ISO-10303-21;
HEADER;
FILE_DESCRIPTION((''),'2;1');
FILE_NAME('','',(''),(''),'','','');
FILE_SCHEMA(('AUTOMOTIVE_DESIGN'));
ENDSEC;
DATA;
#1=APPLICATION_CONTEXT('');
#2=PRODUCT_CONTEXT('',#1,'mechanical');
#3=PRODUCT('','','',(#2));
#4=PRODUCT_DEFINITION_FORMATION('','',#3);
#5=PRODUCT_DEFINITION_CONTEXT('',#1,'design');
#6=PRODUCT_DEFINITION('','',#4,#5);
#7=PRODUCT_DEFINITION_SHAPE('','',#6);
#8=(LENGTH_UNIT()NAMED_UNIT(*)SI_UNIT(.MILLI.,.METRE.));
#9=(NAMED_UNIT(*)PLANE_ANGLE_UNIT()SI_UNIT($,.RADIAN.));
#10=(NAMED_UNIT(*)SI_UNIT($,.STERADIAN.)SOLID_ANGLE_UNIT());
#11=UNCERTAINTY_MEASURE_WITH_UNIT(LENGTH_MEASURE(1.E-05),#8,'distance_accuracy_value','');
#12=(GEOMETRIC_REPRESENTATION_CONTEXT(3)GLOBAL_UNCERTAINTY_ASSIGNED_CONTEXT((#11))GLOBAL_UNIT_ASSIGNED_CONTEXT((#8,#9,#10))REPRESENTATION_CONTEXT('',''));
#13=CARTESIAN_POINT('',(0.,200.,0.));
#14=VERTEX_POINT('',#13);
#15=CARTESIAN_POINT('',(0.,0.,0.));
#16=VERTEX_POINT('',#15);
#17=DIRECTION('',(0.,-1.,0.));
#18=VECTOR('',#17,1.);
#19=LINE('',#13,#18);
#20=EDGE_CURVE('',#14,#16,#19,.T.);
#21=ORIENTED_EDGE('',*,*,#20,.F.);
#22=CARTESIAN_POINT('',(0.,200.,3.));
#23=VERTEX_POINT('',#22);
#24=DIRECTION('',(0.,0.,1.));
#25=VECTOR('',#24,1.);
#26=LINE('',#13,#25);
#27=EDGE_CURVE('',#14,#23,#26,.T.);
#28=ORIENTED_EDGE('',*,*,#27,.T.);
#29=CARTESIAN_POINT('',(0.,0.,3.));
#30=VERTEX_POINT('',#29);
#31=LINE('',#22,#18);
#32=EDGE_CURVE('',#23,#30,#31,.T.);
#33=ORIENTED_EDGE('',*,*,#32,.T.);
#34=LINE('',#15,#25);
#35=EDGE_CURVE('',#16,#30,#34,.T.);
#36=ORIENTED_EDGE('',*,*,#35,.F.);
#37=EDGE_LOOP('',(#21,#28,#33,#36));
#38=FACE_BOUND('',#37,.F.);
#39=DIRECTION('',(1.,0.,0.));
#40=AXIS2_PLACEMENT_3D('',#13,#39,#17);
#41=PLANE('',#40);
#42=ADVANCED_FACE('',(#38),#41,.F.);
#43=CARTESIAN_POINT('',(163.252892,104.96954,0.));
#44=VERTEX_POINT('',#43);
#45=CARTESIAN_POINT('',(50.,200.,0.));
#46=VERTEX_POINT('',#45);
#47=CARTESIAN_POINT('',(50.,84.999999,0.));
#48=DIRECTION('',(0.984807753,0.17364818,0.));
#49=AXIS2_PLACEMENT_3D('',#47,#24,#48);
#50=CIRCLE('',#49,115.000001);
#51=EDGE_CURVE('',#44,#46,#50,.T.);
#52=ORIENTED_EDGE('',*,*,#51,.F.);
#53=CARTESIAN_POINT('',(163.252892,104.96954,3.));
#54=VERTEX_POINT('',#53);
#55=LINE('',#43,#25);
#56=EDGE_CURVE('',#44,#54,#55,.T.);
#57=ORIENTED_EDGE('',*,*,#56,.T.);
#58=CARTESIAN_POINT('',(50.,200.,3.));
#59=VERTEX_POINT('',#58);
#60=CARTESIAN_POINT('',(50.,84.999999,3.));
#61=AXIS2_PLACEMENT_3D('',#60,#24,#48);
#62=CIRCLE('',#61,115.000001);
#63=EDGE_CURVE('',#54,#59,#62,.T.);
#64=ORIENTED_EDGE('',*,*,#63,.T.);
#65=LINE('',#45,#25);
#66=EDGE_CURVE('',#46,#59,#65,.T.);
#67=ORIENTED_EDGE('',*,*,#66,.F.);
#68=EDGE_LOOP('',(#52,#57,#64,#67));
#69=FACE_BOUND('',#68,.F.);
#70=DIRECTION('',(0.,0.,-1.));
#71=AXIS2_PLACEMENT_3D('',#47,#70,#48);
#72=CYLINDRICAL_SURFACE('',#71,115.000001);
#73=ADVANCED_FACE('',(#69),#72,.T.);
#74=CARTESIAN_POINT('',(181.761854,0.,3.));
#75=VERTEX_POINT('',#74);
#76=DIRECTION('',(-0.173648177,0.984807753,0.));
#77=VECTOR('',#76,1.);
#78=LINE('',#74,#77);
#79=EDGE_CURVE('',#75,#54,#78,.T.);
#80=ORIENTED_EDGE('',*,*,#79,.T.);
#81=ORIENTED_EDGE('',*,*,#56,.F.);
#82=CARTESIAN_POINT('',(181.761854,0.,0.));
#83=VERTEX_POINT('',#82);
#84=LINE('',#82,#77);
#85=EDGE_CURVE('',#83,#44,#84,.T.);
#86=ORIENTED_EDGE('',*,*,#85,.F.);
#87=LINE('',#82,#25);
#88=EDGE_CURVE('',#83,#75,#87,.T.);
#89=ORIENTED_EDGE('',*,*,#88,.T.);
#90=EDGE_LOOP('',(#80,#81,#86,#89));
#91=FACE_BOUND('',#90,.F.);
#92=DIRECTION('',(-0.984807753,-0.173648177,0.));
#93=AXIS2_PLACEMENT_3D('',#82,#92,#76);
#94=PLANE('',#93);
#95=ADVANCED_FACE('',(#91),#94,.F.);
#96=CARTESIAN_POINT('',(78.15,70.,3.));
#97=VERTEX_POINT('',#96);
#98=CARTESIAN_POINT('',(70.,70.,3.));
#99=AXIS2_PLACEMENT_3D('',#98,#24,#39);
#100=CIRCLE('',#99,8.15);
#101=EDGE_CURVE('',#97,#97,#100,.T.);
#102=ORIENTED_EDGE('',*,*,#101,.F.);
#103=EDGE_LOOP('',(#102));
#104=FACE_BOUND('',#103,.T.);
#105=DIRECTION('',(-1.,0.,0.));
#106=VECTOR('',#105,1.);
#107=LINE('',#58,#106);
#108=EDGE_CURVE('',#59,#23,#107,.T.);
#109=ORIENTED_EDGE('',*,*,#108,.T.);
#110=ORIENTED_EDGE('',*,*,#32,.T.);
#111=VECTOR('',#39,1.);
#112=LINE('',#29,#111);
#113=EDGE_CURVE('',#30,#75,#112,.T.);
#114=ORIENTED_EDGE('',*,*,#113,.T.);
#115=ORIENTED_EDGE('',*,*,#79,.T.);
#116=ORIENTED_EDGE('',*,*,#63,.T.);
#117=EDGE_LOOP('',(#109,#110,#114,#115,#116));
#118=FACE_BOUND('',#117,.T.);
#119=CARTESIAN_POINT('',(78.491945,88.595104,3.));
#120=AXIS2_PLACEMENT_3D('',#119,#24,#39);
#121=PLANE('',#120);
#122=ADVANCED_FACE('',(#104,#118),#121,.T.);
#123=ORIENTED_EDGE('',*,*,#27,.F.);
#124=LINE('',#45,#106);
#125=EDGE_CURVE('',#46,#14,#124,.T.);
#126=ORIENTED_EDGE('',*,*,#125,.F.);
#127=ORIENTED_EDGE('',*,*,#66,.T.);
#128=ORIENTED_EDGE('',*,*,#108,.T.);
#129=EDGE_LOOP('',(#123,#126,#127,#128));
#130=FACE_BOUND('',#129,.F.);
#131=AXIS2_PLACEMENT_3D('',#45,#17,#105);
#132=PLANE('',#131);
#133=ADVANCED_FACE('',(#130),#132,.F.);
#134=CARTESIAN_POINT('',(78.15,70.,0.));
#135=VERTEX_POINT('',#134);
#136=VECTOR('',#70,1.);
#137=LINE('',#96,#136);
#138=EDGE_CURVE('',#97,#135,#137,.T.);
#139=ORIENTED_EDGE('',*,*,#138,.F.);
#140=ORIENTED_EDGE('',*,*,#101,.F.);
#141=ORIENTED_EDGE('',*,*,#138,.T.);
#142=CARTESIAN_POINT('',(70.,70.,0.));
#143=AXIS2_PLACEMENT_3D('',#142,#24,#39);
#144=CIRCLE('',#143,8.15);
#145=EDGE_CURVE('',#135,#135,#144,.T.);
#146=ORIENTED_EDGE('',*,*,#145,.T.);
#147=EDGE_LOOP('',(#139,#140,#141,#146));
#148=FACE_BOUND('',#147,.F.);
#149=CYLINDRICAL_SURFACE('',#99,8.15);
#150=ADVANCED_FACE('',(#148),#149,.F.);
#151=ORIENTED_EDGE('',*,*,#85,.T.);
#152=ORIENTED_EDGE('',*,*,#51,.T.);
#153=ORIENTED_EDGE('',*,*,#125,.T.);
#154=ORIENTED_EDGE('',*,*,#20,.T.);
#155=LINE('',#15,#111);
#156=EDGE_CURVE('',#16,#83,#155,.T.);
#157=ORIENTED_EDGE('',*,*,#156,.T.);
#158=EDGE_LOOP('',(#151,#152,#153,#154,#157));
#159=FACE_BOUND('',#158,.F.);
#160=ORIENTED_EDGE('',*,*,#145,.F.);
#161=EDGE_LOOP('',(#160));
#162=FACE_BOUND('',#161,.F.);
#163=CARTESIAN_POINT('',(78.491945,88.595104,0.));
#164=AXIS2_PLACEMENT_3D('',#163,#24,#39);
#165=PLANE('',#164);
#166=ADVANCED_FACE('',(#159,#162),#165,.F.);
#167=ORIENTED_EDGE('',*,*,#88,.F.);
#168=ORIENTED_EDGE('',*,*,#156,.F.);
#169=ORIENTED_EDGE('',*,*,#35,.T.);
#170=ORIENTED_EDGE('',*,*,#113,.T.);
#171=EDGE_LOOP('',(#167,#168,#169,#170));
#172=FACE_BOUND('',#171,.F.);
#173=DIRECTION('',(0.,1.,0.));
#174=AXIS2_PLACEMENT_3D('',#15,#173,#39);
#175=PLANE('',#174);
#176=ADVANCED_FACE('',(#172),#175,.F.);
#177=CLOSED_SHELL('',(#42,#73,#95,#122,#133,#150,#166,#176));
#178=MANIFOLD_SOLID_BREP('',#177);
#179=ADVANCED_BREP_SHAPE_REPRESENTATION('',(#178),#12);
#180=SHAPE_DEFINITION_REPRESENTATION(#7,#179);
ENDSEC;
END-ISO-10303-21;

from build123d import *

# Parameters (mm, degrees)
F1_DEPTH = 3
F2_R     = 8.15
F3_DEPTH = 25


with BuildPart() as f1:
    # F0 (on Top) → F1 (new body)
    with BuildSketch(Plane.XY):
        with BuildLine():
            Line((0, 200), (0, 0))
            Line((0, 0), (181.761854, 0))
            Line((181.761854, 0), (163.252892, 104.96954))
            ThreePointArc((163.252892, 104.96954), (123.920575, 173.095111), (50, 200))
            Line((50, 200), (0, 200))
        make_face()
    extrude(amount=F1_DEPTH)

    # F2 (on face) → F3 (cut)
    with BuildSketch(Plane.XY.offset(3)):
        with Locations((70, 70)):
            Circle(F2_R)
    extrude(amount=-F3_DEPTH, mode=Mode.SUBTRACT)


solid = f1.part
